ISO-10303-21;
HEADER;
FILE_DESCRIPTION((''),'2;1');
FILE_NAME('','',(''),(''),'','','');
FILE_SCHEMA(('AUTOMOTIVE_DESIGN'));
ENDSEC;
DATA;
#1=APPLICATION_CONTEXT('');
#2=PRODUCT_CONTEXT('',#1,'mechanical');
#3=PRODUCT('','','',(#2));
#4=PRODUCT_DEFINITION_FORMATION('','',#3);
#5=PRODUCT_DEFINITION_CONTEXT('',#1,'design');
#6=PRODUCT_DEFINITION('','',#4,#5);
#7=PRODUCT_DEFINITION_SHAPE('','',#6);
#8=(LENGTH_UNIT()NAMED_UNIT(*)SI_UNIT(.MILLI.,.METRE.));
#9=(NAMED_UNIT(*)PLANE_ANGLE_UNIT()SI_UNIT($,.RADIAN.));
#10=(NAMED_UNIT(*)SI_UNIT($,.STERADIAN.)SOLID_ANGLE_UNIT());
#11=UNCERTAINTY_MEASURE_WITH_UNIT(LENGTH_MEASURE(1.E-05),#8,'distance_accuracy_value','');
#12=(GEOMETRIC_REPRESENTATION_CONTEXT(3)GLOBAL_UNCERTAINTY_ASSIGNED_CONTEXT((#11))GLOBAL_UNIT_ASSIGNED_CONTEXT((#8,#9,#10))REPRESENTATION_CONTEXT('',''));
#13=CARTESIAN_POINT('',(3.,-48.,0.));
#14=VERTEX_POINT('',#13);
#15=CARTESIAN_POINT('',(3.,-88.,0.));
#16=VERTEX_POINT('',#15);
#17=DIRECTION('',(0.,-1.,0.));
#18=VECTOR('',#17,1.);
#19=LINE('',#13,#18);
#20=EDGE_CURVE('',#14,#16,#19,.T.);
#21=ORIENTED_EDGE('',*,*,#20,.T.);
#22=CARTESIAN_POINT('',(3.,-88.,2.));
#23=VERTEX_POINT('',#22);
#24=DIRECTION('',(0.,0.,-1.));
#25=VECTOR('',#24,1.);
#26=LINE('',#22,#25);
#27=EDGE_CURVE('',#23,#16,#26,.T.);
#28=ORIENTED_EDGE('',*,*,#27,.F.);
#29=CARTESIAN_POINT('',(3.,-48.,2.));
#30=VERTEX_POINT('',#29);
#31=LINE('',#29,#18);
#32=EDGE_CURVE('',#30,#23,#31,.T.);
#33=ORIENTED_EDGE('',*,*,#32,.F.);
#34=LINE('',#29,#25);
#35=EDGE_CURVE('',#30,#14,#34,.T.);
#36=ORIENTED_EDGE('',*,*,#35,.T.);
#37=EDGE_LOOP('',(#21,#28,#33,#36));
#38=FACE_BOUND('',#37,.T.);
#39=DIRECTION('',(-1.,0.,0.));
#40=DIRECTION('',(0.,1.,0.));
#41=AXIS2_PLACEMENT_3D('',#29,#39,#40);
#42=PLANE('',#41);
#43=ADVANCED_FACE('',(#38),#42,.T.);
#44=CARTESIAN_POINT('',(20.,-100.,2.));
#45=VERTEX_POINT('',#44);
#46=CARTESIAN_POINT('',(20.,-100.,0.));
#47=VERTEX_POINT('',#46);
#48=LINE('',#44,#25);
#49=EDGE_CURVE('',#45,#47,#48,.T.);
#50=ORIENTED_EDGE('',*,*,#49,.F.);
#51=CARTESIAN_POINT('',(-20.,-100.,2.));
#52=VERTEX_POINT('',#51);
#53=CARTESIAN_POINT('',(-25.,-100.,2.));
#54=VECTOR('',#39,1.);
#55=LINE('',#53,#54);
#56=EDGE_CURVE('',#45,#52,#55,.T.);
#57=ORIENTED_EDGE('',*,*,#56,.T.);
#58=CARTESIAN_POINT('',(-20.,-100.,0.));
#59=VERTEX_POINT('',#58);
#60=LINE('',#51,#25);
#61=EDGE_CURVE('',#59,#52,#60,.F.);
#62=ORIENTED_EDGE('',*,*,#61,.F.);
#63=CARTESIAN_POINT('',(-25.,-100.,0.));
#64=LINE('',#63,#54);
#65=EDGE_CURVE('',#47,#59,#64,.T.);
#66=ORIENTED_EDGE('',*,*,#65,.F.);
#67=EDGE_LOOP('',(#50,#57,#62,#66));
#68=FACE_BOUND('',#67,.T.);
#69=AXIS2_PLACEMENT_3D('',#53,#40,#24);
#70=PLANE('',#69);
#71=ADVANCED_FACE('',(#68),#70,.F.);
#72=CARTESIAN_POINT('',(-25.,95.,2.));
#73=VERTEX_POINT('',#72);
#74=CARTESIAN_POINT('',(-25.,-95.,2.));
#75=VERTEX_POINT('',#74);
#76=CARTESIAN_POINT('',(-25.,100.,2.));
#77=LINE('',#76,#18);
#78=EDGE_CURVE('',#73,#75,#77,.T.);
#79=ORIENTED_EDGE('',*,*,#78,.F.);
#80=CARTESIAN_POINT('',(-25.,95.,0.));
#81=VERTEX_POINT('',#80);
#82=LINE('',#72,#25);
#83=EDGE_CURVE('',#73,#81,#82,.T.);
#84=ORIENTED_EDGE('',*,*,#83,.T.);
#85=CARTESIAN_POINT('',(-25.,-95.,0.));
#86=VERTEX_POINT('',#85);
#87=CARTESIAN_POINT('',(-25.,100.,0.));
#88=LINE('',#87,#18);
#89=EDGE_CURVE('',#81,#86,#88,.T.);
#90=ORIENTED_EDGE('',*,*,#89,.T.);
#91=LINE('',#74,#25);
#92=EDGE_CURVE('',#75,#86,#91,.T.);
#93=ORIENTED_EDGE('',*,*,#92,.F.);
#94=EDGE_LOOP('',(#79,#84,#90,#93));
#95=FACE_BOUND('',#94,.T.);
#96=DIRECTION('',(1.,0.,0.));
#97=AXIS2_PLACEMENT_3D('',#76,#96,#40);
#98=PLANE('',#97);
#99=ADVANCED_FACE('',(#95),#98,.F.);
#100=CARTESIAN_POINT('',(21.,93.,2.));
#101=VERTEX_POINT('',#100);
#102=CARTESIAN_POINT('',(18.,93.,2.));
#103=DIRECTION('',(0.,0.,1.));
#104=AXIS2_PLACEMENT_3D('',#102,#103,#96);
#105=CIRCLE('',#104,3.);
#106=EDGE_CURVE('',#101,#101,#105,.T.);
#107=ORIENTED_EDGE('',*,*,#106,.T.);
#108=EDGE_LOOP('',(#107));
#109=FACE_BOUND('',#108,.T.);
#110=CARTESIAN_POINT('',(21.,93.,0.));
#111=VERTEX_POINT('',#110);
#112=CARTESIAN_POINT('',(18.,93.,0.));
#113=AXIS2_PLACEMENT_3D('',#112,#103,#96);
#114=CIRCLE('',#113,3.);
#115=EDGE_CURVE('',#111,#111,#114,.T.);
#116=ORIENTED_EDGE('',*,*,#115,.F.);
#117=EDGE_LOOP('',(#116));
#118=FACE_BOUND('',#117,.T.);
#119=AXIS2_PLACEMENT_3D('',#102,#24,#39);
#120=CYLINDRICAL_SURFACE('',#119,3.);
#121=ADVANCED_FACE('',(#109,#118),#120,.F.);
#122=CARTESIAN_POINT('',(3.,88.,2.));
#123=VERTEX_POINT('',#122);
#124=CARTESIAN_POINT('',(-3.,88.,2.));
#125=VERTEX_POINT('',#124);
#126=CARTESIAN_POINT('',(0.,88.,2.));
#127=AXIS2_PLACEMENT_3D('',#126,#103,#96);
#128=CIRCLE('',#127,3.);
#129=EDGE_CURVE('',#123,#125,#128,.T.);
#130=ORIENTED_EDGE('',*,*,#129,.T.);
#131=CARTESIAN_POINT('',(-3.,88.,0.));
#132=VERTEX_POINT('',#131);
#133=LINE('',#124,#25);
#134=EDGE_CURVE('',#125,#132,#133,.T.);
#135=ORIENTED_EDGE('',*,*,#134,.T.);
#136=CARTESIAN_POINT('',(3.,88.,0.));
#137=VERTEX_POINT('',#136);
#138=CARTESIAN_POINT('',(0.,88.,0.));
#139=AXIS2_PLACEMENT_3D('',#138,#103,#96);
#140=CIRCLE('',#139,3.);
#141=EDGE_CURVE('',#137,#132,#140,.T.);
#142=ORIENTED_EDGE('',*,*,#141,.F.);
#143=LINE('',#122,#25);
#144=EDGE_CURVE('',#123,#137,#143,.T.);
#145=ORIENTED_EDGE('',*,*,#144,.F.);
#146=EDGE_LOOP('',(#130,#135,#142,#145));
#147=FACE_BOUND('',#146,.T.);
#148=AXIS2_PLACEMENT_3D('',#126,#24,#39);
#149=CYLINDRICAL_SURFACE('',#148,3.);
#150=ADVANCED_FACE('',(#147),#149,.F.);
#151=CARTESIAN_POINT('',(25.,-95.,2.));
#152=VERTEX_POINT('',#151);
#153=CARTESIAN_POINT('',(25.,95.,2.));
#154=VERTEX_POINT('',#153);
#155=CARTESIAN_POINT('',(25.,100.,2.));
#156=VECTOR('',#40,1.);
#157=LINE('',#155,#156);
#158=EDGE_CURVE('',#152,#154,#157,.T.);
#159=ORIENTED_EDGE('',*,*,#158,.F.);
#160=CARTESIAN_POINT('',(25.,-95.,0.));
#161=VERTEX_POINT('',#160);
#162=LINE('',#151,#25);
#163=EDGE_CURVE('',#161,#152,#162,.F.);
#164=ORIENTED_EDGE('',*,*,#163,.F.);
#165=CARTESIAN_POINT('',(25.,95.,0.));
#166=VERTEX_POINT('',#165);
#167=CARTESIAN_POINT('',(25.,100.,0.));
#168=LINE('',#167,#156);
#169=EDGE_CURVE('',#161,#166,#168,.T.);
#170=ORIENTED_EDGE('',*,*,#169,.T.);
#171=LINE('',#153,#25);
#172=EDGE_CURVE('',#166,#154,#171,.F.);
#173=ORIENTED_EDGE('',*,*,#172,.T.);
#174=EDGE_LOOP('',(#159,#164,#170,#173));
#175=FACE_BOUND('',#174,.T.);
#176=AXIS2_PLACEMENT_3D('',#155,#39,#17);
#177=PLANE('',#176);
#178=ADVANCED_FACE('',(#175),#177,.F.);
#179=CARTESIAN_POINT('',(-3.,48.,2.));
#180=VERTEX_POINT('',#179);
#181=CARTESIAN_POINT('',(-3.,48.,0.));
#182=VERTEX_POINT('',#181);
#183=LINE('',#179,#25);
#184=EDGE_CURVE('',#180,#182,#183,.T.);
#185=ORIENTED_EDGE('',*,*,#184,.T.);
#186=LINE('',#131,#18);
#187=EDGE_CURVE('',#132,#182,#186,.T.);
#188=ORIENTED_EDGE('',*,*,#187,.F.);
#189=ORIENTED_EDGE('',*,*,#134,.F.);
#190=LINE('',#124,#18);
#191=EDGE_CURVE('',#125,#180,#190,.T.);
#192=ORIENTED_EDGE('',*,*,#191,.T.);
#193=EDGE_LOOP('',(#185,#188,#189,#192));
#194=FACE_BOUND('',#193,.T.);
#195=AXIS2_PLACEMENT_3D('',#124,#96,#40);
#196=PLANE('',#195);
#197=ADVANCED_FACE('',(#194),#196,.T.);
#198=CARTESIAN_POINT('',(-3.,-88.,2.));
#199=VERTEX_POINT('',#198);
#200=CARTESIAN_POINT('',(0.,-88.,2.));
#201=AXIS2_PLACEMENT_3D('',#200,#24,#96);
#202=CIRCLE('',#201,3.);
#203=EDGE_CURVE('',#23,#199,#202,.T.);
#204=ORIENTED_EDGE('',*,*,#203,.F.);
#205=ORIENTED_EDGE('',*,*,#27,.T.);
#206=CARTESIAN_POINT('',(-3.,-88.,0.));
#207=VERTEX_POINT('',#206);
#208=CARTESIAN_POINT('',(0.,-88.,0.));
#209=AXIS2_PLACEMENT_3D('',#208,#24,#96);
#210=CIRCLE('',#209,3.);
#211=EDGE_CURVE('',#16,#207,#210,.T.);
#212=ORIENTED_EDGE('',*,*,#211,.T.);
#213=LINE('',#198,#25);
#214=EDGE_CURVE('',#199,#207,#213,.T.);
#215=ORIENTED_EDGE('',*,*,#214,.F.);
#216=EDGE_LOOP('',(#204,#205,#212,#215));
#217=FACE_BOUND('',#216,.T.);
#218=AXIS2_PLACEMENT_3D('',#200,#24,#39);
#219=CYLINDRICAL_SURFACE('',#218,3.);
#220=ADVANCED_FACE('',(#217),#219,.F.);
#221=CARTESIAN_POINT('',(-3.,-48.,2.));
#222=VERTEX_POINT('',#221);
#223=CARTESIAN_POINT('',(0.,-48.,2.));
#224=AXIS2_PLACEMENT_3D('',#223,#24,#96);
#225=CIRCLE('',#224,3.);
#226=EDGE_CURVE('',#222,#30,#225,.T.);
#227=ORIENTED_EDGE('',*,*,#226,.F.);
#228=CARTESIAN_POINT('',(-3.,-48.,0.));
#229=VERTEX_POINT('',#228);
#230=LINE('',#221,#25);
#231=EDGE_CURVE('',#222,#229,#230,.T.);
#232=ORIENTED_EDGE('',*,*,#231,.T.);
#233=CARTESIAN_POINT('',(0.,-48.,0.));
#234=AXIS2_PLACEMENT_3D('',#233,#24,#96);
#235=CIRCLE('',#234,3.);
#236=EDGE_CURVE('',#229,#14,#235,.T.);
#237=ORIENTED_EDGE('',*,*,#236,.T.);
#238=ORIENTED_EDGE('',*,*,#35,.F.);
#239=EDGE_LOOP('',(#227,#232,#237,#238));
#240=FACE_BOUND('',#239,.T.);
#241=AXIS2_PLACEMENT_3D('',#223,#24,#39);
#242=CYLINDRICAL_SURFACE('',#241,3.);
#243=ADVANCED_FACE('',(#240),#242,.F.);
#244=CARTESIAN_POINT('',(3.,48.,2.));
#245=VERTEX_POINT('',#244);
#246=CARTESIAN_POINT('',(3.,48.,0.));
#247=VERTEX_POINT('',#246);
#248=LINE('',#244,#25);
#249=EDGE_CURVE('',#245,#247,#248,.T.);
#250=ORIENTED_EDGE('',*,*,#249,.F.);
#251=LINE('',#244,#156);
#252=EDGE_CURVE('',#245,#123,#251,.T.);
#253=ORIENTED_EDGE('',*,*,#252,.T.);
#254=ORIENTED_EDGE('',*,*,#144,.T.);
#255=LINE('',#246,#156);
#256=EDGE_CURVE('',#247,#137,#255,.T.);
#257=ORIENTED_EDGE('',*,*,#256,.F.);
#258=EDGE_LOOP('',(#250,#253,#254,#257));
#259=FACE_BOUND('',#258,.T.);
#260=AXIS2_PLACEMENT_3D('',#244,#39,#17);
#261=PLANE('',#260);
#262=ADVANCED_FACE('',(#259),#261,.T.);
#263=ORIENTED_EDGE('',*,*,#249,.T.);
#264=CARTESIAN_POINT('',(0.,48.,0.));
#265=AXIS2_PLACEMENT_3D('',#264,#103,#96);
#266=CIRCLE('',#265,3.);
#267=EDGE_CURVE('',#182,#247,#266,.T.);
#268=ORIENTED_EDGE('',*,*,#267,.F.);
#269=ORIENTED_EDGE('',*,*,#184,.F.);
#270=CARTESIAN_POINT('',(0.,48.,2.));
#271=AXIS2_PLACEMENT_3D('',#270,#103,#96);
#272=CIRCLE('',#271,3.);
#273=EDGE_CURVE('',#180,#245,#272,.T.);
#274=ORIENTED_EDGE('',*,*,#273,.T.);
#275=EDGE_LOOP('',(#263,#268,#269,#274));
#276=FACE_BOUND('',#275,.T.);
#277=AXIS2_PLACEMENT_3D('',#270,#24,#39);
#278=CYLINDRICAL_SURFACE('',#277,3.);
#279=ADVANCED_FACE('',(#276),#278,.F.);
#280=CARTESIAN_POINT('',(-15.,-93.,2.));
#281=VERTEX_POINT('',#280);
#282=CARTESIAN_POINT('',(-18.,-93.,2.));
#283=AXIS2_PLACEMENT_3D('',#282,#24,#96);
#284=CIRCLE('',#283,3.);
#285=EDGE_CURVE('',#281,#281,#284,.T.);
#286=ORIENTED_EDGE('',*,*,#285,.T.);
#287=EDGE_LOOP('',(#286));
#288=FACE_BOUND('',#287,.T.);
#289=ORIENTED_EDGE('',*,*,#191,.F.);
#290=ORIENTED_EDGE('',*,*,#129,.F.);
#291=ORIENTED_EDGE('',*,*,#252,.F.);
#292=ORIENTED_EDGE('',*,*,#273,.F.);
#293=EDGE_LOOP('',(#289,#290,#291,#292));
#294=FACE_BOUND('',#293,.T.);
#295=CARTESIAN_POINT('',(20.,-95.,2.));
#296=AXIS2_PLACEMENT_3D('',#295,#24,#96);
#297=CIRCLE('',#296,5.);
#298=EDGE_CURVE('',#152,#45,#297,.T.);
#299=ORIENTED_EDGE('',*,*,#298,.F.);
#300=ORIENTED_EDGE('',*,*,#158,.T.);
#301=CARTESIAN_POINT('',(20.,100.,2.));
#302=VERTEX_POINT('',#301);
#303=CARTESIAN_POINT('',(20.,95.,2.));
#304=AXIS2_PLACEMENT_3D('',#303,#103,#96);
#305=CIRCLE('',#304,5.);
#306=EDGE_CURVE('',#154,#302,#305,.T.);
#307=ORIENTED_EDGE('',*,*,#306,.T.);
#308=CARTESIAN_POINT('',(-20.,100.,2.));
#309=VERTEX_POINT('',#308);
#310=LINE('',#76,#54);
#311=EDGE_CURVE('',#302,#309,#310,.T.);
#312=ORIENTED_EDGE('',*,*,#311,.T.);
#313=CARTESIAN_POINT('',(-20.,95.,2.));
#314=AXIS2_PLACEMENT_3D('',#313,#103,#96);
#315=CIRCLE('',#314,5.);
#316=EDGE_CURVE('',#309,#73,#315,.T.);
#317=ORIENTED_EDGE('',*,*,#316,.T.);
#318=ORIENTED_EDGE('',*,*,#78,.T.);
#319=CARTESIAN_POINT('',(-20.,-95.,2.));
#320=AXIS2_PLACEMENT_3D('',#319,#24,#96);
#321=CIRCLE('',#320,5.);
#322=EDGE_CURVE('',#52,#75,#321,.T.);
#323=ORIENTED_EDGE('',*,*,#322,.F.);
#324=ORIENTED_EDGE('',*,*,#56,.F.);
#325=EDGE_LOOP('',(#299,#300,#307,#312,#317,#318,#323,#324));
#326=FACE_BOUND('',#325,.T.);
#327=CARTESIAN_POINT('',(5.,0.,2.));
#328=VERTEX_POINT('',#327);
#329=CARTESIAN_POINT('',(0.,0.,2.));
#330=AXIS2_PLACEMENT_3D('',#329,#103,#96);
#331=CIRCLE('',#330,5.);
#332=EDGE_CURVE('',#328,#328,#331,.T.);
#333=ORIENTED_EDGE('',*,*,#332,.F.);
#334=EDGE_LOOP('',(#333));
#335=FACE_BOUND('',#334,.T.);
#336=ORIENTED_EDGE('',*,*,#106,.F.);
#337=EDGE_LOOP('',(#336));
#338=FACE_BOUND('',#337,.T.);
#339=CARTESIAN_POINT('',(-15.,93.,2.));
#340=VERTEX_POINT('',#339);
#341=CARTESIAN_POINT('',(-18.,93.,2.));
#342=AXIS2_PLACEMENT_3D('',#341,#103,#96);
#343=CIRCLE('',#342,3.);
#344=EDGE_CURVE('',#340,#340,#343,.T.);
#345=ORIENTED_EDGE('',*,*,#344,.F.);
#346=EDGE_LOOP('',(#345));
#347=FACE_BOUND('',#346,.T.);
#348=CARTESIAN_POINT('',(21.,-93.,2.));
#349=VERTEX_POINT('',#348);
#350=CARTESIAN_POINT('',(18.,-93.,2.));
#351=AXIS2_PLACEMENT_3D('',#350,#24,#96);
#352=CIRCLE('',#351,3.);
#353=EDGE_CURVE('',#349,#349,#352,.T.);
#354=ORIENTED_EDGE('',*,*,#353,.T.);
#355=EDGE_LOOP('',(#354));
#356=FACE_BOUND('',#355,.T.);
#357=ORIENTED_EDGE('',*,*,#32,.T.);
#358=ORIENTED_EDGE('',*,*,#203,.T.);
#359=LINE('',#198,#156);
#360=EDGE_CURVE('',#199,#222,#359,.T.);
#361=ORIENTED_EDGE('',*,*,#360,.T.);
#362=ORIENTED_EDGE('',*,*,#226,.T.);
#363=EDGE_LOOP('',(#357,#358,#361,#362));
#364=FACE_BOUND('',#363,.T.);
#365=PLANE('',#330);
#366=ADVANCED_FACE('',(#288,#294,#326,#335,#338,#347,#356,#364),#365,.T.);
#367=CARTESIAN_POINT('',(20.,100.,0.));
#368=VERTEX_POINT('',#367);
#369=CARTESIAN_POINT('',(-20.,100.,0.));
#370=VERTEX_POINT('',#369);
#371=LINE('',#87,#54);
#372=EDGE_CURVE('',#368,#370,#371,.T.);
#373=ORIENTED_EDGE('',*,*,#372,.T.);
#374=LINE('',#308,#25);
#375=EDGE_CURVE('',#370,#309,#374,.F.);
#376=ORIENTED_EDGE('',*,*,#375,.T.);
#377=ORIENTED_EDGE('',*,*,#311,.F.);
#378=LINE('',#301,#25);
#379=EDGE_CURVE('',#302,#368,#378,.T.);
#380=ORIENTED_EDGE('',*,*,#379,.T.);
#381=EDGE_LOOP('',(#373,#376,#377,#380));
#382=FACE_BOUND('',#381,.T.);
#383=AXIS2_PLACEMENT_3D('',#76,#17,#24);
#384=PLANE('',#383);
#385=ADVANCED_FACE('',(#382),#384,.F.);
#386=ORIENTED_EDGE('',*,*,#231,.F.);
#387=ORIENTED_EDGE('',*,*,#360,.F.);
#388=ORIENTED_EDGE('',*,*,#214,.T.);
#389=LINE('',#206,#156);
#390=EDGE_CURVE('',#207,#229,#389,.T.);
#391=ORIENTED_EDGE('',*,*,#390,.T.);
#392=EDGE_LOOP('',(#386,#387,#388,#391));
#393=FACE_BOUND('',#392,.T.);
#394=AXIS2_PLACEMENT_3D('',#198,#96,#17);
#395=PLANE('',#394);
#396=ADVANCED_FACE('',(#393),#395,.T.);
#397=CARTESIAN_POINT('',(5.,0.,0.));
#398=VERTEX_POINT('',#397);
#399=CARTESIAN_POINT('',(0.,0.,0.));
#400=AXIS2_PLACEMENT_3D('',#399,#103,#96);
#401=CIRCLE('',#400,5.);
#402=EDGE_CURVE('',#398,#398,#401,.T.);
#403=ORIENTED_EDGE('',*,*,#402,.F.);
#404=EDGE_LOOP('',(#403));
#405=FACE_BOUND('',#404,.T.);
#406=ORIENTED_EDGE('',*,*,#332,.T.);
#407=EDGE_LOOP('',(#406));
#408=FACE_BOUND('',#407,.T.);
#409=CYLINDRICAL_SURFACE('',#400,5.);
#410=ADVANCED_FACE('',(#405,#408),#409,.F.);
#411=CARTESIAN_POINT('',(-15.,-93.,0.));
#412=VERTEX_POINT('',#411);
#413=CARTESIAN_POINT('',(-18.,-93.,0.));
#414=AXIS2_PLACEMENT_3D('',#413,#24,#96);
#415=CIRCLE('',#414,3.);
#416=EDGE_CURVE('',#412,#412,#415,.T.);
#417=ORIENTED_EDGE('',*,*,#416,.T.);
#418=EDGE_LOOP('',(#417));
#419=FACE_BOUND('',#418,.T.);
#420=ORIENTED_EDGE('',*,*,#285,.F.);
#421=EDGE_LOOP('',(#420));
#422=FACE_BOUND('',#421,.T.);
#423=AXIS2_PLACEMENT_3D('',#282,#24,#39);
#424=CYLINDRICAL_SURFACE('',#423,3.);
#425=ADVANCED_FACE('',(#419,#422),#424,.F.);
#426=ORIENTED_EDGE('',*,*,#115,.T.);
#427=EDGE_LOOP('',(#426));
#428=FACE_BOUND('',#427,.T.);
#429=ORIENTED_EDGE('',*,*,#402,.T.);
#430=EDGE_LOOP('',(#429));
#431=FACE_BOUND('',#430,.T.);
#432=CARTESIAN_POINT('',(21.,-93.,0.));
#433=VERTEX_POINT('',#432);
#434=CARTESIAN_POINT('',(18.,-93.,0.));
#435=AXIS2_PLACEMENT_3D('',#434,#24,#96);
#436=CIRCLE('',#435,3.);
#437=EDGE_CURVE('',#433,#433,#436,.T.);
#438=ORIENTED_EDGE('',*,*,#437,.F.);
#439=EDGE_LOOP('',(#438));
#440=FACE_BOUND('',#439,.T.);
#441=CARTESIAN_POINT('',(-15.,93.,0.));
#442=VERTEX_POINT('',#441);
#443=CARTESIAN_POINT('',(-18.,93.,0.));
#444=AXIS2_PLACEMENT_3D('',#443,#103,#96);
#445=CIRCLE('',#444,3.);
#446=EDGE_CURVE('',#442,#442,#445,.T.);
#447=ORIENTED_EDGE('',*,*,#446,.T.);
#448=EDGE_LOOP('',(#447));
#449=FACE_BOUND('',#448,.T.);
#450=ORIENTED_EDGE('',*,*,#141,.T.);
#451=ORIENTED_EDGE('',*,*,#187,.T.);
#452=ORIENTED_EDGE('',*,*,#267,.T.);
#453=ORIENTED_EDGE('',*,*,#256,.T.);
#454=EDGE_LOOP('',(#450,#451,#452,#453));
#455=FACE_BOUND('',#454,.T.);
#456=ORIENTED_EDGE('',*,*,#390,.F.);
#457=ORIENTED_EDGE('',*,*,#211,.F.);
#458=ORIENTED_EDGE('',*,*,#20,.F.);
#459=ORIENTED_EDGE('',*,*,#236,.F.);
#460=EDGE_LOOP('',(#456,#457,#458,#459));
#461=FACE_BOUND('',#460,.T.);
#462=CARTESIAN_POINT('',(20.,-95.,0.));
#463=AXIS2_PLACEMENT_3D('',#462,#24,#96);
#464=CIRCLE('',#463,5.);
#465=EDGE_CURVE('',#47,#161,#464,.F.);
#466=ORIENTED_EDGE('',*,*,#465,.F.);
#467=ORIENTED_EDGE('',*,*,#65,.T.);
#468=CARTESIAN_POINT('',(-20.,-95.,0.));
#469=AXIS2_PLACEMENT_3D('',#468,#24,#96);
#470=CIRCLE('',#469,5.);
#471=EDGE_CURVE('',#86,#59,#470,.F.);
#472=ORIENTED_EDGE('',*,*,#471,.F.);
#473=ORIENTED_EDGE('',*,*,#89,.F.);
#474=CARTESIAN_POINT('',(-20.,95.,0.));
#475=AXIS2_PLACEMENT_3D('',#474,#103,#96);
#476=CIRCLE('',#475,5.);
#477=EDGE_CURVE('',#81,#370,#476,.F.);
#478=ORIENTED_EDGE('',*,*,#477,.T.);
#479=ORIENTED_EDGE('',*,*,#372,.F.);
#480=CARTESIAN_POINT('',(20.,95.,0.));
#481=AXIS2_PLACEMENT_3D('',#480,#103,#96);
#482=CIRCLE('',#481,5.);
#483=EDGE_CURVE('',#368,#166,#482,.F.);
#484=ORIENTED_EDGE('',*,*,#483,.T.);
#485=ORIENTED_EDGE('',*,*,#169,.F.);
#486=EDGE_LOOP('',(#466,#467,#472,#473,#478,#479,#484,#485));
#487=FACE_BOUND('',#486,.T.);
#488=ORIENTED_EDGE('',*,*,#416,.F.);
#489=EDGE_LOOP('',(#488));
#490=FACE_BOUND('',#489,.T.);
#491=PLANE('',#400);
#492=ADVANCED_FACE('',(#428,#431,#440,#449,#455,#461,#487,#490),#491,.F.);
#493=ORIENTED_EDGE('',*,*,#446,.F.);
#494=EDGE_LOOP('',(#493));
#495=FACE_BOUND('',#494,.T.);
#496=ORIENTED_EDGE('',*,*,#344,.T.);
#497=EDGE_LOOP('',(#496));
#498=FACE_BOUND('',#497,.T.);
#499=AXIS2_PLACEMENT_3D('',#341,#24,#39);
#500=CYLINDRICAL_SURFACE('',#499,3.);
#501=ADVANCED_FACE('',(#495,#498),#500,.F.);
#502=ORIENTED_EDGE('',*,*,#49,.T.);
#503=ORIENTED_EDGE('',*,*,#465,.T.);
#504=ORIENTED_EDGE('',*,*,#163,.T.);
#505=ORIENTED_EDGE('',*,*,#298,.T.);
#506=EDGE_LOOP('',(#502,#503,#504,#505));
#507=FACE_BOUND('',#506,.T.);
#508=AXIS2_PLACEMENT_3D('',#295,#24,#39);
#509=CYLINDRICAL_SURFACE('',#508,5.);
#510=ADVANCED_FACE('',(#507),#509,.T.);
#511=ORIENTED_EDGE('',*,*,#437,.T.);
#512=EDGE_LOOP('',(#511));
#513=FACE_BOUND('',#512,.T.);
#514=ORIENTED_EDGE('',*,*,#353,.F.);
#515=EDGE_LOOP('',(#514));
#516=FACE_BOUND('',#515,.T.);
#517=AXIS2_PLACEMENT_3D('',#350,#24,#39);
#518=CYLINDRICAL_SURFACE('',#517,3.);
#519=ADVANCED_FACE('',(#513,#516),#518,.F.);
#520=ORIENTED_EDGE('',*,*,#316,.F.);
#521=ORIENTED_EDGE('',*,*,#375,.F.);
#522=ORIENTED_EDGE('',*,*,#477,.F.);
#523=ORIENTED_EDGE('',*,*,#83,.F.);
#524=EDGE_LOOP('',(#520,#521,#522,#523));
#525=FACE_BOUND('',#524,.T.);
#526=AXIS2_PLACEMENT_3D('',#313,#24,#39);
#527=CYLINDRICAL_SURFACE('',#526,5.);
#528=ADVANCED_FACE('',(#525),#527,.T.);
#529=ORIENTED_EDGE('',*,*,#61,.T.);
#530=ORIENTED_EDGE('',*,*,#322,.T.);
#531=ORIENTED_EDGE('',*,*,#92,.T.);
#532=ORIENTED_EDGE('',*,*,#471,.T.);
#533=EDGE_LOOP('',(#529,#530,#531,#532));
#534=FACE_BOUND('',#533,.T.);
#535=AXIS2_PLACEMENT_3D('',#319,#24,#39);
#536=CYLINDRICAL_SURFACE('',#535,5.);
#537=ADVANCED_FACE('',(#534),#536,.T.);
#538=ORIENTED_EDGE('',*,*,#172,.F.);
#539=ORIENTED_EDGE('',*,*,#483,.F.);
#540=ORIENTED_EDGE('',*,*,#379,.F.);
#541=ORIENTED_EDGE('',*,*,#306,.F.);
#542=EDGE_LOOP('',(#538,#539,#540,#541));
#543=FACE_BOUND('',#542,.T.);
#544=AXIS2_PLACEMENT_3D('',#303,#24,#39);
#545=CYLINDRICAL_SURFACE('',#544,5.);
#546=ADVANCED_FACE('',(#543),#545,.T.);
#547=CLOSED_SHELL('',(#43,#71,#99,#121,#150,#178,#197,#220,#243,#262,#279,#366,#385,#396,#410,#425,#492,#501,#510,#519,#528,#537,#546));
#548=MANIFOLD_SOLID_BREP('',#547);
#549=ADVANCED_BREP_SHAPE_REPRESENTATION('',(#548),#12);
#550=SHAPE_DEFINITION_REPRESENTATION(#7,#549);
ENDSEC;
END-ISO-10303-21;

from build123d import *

# Parameters (mm, degrees)
SCHIZZO1_W                   = 50
SCHIZZO1_H                   = 100
SCHIZZO1_R                   = 3
ESTRUSIONE_ESTRUSIONE1_DEPTH = 2
RACCORDO3_R                  = 5
RACCORDO4_R                  = 5
SCHIZZO3_R                   = 5
TAGLIO_ESTRUSIONE1_DEPTH     = 104.097041665


with BuildPart() as part:
    # Schizzo1 → Estrusione-Estrusione1 (new body)
    with BuildSketch(Plane.XY):
        with Locations((0, 50)):
            Rectangle(SCHIZZO1_W, SCHIZZO1_H)
        with Locations((-18, 93)):
            Circle(SCHIZZO1_R, mode=Mode.SUBTRACT)
        with Locations((18, 93)):
            Circle(SCHIZZO1_R, mode=Mode.SUBTRACT)
        with BuildLine():
            Line((-3, 88), (-3, 48))
            ThreePointArc((-3, 48), (0, 45), (3, 48))
            Line((3, 48), (3, 88))
            ThreePointArc((3, 88), (0, 91), (-3, 88))
        make_face(mode=Mode.SUBTRACT)
    extrude(amount=ESTRUSIONE_ESTRUSIONE1_DEPTH)

    # Raccordo3
    raccordo3_edges = [part.edges().sort_by_distance(p)[0] for p in [
        (25, 100, 1),
    ]]
    fillet(raccordo3_edges, radius=RACCORDO3_R)

    # Raccordo4
    raccordo4_edges = [part.edges().sort_by_distance(p)[0] for p in [
        (-25, 100, 1),
    ]]
    fillet(raccordo4_edges, radius=RACCORDO4_R)

    # Specchia1: part across plane


with BuildPart() as part_1:
    add(part.part)
    add(part.part.mirror(Plane(origin=(-25, 0, 2), x_dir=(0, 0, 1), z_dir=(0, 1, 0))))

    # Schizzo3 → Taglio-Estrusione1 (cut, through all)
    with BuildSketch(Plane.XY.offset(2)):
        Circle(SCHIZZO3_R)
    extrude(amount=-TAGLIO_ESTRUSIONE1_DEPTH, mode=Mode.SUBTRACT)


solid = part_1.part
